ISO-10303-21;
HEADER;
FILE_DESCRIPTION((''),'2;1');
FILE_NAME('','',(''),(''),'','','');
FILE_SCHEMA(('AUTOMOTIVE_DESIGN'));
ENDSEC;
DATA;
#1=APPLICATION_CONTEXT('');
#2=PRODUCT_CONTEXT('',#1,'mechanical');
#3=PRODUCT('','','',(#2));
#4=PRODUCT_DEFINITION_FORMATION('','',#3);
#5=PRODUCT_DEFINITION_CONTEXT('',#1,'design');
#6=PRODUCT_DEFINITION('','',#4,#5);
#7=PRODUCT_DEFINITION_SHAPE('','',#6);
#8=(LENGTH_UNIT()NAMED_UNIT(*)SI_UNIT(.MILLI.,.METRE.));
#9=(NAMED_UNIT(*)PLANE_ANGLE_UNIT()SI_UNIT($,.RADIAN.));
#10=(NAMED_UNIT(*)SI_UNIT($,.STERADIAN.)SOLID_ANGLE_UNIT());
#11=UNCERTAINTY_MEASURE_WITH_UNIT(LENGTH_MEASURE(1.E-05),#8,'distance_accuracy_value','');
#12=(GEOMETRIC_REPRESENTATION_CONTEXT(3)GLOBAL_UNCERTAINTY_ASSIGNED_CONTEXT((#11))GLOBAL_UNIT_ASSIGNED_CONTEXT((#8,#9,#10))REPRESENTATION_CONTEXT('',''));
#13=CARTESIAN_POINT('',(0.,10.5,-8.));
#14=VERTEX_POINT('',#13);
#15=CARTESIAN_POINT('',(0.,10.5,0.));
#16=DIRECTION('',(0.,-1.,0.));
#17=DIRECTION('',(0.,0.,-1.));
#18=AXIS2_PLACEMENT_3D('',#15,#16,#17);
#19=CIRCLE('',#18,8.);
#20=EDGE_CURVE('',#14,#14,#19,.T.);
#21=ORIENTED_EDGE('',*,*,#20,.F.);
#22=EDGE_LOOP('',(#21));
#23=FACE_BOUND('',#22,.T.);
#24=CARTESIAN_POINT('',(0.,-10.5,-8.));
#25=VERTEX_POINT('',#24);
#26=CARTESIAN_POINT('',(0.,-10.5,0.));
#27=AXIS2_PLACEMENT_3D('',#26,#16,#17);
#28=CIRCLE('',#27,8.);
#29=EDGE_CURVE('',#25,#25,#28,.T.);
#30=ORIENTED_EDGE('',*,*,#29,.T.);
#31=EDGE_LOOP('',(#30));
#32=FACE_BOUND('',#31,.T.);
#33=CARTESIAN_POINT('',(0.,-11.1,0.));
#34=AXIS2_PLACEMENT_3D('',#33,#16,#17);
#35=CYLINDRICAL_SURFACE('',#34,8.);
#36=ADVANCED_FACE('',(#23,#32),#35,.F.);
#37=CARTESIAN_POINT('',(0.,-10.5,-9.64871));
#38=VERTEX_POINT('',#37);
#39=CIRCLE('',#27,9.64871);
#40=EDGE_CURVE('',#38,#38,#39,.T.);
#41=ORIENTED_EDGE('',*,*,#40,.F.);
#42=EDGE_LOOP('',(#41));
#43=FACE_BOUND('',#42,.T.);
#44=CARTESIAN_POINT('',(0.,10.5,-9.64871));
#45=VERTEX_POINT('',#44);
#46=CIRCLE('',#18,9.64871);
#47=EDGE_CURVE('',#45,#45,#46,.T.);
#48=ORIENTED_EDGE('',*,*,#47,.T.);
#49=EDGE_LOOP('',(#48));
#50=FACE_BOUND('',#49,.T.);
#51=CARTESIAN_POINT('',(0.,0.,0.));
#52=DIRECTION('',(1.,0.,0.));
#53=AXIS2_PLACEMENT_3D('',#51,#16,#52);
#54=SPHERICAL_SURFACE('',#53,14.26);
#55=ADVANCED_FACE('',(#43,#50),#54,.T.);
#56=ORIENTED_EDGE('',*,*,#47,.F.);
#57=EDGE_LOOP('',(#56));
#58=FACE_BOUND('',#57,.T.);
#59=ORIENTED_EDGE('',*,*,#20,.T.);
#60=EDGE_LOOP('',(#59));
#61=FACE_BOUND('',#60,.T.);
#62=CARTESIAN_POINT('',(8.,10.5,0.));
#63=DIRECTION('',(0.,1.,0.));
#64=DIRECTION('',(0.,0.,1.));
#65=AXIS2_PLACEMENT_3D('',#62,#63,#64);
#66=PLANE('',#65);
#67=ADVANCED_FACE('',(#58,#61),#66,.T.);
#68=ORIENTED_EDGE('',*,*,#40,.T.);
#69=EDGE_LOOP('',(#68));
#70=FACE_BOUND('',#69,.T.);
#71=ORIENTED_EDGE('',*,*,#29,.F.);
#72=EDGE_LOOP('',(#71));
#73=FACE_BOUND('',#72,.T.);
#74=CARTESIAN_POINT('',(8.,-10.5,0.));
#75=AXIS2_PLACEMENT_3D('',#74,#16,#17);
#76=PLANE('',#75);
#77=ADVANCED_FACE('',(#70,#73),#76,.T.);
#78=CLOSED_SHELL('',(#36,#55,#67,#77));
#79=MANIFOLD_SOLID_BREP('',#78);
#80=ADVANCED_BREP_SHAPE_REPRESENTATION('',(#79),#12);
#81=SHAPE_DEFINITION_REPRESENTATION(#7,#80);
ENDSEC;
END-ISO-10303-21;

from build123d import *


with BuildPart() as part:
    # Szkic1 → Obrót1 (revolve)
    with BuildSketch(Plane.XY):
        with BuildLine():
            Line((8, -10.5), (8, 10.5))
            Line((8, 10.5), (9.648709758, 10.5))
            ThreePointArc((9.648709758, 10.5), (14.26, 0), (9.648709758, -10.5))
            Line((9.648709758, -10.5), (8, -10.5))
        make_face()
    revolve(axis=Axis((0, -11.1, 0), (0, 1, 0)))


solid = part.part
